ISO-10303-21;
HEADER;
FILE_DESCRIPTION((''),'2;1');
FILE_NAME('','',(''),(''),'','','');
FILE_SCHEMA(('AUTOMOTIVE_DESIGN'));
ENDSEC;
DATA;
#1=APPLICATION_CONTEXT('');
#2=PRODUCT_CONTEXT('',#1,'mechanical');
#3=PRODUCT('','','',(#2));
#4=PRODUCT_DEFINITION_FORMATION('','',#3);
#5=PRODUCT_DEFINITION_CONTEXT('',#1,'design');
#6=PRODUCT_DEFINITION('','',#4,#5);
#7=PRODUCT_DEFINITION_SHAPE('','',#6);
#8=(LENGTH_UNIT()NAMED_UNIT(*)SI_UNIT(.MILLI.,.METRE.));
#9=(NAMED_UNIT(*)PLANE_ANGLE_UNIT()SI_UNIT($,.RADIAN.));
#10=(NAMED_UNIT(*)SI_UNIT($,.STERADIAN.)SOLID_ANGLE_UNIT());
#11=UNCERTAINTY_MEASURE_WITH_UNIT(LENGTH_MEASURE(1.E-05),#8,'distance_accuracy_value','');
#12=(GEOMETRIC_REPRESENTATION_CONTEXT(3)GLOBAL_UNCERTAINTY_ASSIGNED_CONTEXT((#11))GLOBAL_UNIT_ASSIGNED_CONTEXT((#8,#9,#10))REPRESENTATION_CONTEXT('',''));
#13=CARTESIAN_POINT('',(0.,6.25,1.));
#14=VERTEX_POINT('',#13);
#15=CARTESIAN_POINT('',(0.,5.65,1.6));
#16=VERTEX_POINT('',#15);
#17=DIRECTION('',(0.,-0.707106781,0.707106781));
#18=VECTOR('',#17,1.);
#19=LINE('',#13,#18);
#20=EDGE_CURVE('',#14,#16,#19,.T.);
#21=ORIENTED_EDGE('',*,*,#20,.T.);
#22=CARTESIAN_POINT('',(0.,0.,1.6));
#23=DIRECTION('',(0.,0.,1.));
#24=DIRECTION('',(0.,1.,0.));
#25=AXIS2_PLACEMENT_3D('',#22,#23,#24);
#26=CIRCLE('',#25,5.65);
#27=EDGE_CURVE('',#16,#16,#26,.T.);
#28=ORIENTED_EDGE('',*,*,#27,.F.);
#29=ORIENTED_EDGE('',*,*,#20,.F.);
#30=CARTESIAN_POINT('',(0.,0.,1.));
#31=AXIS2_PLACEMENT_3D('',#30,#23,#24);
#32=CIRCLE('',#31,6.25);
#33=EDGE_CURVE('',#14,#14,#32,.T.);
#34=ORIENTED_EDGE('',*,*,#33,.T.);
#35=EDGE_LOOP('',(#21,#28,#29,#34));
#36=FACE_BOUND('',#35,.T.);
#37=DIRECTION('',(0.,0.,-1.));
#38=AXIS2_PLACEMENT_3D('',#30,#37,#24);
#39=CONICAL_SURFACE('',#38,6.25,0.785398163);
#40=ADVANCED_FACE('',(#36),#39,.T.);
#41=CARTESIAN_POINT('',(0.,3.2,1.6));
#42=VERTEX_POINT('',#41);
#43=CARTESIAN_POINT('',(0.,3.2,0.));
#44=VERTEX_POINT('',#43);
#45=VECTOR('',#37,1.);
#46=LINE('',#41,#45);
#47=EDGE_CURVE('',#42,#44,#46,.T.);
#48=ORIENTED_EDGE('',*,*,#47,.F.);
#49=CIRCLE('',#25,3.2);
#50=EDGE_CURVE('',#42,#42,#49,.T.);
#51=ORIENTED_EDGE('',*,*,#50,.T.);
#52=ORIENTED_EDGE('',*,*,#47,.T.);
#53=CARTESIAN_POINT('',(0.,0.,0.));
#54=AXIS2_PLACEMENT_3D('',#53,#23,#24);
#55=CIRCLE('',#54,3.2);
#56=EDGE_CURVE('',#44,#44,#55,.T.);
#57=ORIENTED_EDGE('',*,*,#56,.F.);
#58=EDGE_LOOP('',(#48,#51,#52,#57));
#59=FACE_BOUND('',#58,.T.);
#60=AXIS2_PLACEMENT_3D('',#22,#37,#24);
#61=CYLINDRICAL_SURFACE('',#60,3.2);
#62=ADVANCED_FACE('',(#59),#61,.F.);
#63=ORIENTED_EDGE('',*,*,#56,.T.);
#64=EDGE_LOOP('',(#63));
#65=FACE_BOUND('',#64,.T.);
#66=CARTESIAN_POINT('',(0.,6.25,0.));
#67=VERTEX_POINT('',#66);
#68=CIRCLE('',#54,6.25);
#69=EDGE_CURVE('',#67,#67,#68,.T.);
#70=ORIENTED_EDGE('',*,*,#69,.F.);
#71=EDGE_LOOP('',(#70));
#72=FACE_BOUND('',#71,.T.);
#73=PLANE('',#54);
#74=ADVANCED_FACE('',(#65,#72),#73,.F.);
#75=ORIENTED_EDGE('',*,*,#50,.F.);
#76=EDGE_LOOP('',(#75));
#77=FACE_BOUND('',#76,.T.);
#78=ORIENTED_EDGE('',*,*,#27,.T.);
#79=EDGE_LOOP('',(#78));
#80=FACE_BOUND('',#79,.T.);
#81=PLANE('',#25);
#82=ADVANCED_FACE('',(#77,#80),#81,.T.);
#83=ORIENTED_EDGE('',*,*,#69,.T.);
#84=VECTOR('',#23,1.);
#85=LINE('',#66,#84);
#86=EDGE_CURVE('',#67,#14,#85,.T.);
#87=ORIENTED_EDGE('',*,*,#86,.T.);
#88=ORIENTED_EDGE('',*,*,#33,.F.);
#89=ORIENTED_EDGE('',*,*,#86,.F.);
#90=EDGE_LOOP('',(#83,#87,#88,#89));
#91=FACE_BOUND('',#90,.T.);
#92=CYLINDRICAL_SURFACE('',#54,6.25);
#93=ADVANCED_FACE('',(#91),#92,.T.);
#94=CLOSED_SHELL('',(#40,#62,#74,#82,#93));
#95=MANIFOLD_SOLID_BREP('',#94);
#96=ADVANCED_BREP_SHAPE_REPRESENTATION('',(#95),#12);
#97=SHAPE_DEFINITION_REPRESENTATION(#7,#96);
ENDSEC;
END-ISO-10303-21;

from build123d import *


with BuildPart() as part:
    # Sketch → Revolution (revolve)
    with BuildSketch(Plane.YZ):
        Polygon((3.2, 0), (6.25, 0), (6.25, 1), (5.65, 1.6), (3.2, 1.6), align=None)
    revolve(axis=Axis((0, 0, 0), (0, 0, 1)))


solid = part.part
